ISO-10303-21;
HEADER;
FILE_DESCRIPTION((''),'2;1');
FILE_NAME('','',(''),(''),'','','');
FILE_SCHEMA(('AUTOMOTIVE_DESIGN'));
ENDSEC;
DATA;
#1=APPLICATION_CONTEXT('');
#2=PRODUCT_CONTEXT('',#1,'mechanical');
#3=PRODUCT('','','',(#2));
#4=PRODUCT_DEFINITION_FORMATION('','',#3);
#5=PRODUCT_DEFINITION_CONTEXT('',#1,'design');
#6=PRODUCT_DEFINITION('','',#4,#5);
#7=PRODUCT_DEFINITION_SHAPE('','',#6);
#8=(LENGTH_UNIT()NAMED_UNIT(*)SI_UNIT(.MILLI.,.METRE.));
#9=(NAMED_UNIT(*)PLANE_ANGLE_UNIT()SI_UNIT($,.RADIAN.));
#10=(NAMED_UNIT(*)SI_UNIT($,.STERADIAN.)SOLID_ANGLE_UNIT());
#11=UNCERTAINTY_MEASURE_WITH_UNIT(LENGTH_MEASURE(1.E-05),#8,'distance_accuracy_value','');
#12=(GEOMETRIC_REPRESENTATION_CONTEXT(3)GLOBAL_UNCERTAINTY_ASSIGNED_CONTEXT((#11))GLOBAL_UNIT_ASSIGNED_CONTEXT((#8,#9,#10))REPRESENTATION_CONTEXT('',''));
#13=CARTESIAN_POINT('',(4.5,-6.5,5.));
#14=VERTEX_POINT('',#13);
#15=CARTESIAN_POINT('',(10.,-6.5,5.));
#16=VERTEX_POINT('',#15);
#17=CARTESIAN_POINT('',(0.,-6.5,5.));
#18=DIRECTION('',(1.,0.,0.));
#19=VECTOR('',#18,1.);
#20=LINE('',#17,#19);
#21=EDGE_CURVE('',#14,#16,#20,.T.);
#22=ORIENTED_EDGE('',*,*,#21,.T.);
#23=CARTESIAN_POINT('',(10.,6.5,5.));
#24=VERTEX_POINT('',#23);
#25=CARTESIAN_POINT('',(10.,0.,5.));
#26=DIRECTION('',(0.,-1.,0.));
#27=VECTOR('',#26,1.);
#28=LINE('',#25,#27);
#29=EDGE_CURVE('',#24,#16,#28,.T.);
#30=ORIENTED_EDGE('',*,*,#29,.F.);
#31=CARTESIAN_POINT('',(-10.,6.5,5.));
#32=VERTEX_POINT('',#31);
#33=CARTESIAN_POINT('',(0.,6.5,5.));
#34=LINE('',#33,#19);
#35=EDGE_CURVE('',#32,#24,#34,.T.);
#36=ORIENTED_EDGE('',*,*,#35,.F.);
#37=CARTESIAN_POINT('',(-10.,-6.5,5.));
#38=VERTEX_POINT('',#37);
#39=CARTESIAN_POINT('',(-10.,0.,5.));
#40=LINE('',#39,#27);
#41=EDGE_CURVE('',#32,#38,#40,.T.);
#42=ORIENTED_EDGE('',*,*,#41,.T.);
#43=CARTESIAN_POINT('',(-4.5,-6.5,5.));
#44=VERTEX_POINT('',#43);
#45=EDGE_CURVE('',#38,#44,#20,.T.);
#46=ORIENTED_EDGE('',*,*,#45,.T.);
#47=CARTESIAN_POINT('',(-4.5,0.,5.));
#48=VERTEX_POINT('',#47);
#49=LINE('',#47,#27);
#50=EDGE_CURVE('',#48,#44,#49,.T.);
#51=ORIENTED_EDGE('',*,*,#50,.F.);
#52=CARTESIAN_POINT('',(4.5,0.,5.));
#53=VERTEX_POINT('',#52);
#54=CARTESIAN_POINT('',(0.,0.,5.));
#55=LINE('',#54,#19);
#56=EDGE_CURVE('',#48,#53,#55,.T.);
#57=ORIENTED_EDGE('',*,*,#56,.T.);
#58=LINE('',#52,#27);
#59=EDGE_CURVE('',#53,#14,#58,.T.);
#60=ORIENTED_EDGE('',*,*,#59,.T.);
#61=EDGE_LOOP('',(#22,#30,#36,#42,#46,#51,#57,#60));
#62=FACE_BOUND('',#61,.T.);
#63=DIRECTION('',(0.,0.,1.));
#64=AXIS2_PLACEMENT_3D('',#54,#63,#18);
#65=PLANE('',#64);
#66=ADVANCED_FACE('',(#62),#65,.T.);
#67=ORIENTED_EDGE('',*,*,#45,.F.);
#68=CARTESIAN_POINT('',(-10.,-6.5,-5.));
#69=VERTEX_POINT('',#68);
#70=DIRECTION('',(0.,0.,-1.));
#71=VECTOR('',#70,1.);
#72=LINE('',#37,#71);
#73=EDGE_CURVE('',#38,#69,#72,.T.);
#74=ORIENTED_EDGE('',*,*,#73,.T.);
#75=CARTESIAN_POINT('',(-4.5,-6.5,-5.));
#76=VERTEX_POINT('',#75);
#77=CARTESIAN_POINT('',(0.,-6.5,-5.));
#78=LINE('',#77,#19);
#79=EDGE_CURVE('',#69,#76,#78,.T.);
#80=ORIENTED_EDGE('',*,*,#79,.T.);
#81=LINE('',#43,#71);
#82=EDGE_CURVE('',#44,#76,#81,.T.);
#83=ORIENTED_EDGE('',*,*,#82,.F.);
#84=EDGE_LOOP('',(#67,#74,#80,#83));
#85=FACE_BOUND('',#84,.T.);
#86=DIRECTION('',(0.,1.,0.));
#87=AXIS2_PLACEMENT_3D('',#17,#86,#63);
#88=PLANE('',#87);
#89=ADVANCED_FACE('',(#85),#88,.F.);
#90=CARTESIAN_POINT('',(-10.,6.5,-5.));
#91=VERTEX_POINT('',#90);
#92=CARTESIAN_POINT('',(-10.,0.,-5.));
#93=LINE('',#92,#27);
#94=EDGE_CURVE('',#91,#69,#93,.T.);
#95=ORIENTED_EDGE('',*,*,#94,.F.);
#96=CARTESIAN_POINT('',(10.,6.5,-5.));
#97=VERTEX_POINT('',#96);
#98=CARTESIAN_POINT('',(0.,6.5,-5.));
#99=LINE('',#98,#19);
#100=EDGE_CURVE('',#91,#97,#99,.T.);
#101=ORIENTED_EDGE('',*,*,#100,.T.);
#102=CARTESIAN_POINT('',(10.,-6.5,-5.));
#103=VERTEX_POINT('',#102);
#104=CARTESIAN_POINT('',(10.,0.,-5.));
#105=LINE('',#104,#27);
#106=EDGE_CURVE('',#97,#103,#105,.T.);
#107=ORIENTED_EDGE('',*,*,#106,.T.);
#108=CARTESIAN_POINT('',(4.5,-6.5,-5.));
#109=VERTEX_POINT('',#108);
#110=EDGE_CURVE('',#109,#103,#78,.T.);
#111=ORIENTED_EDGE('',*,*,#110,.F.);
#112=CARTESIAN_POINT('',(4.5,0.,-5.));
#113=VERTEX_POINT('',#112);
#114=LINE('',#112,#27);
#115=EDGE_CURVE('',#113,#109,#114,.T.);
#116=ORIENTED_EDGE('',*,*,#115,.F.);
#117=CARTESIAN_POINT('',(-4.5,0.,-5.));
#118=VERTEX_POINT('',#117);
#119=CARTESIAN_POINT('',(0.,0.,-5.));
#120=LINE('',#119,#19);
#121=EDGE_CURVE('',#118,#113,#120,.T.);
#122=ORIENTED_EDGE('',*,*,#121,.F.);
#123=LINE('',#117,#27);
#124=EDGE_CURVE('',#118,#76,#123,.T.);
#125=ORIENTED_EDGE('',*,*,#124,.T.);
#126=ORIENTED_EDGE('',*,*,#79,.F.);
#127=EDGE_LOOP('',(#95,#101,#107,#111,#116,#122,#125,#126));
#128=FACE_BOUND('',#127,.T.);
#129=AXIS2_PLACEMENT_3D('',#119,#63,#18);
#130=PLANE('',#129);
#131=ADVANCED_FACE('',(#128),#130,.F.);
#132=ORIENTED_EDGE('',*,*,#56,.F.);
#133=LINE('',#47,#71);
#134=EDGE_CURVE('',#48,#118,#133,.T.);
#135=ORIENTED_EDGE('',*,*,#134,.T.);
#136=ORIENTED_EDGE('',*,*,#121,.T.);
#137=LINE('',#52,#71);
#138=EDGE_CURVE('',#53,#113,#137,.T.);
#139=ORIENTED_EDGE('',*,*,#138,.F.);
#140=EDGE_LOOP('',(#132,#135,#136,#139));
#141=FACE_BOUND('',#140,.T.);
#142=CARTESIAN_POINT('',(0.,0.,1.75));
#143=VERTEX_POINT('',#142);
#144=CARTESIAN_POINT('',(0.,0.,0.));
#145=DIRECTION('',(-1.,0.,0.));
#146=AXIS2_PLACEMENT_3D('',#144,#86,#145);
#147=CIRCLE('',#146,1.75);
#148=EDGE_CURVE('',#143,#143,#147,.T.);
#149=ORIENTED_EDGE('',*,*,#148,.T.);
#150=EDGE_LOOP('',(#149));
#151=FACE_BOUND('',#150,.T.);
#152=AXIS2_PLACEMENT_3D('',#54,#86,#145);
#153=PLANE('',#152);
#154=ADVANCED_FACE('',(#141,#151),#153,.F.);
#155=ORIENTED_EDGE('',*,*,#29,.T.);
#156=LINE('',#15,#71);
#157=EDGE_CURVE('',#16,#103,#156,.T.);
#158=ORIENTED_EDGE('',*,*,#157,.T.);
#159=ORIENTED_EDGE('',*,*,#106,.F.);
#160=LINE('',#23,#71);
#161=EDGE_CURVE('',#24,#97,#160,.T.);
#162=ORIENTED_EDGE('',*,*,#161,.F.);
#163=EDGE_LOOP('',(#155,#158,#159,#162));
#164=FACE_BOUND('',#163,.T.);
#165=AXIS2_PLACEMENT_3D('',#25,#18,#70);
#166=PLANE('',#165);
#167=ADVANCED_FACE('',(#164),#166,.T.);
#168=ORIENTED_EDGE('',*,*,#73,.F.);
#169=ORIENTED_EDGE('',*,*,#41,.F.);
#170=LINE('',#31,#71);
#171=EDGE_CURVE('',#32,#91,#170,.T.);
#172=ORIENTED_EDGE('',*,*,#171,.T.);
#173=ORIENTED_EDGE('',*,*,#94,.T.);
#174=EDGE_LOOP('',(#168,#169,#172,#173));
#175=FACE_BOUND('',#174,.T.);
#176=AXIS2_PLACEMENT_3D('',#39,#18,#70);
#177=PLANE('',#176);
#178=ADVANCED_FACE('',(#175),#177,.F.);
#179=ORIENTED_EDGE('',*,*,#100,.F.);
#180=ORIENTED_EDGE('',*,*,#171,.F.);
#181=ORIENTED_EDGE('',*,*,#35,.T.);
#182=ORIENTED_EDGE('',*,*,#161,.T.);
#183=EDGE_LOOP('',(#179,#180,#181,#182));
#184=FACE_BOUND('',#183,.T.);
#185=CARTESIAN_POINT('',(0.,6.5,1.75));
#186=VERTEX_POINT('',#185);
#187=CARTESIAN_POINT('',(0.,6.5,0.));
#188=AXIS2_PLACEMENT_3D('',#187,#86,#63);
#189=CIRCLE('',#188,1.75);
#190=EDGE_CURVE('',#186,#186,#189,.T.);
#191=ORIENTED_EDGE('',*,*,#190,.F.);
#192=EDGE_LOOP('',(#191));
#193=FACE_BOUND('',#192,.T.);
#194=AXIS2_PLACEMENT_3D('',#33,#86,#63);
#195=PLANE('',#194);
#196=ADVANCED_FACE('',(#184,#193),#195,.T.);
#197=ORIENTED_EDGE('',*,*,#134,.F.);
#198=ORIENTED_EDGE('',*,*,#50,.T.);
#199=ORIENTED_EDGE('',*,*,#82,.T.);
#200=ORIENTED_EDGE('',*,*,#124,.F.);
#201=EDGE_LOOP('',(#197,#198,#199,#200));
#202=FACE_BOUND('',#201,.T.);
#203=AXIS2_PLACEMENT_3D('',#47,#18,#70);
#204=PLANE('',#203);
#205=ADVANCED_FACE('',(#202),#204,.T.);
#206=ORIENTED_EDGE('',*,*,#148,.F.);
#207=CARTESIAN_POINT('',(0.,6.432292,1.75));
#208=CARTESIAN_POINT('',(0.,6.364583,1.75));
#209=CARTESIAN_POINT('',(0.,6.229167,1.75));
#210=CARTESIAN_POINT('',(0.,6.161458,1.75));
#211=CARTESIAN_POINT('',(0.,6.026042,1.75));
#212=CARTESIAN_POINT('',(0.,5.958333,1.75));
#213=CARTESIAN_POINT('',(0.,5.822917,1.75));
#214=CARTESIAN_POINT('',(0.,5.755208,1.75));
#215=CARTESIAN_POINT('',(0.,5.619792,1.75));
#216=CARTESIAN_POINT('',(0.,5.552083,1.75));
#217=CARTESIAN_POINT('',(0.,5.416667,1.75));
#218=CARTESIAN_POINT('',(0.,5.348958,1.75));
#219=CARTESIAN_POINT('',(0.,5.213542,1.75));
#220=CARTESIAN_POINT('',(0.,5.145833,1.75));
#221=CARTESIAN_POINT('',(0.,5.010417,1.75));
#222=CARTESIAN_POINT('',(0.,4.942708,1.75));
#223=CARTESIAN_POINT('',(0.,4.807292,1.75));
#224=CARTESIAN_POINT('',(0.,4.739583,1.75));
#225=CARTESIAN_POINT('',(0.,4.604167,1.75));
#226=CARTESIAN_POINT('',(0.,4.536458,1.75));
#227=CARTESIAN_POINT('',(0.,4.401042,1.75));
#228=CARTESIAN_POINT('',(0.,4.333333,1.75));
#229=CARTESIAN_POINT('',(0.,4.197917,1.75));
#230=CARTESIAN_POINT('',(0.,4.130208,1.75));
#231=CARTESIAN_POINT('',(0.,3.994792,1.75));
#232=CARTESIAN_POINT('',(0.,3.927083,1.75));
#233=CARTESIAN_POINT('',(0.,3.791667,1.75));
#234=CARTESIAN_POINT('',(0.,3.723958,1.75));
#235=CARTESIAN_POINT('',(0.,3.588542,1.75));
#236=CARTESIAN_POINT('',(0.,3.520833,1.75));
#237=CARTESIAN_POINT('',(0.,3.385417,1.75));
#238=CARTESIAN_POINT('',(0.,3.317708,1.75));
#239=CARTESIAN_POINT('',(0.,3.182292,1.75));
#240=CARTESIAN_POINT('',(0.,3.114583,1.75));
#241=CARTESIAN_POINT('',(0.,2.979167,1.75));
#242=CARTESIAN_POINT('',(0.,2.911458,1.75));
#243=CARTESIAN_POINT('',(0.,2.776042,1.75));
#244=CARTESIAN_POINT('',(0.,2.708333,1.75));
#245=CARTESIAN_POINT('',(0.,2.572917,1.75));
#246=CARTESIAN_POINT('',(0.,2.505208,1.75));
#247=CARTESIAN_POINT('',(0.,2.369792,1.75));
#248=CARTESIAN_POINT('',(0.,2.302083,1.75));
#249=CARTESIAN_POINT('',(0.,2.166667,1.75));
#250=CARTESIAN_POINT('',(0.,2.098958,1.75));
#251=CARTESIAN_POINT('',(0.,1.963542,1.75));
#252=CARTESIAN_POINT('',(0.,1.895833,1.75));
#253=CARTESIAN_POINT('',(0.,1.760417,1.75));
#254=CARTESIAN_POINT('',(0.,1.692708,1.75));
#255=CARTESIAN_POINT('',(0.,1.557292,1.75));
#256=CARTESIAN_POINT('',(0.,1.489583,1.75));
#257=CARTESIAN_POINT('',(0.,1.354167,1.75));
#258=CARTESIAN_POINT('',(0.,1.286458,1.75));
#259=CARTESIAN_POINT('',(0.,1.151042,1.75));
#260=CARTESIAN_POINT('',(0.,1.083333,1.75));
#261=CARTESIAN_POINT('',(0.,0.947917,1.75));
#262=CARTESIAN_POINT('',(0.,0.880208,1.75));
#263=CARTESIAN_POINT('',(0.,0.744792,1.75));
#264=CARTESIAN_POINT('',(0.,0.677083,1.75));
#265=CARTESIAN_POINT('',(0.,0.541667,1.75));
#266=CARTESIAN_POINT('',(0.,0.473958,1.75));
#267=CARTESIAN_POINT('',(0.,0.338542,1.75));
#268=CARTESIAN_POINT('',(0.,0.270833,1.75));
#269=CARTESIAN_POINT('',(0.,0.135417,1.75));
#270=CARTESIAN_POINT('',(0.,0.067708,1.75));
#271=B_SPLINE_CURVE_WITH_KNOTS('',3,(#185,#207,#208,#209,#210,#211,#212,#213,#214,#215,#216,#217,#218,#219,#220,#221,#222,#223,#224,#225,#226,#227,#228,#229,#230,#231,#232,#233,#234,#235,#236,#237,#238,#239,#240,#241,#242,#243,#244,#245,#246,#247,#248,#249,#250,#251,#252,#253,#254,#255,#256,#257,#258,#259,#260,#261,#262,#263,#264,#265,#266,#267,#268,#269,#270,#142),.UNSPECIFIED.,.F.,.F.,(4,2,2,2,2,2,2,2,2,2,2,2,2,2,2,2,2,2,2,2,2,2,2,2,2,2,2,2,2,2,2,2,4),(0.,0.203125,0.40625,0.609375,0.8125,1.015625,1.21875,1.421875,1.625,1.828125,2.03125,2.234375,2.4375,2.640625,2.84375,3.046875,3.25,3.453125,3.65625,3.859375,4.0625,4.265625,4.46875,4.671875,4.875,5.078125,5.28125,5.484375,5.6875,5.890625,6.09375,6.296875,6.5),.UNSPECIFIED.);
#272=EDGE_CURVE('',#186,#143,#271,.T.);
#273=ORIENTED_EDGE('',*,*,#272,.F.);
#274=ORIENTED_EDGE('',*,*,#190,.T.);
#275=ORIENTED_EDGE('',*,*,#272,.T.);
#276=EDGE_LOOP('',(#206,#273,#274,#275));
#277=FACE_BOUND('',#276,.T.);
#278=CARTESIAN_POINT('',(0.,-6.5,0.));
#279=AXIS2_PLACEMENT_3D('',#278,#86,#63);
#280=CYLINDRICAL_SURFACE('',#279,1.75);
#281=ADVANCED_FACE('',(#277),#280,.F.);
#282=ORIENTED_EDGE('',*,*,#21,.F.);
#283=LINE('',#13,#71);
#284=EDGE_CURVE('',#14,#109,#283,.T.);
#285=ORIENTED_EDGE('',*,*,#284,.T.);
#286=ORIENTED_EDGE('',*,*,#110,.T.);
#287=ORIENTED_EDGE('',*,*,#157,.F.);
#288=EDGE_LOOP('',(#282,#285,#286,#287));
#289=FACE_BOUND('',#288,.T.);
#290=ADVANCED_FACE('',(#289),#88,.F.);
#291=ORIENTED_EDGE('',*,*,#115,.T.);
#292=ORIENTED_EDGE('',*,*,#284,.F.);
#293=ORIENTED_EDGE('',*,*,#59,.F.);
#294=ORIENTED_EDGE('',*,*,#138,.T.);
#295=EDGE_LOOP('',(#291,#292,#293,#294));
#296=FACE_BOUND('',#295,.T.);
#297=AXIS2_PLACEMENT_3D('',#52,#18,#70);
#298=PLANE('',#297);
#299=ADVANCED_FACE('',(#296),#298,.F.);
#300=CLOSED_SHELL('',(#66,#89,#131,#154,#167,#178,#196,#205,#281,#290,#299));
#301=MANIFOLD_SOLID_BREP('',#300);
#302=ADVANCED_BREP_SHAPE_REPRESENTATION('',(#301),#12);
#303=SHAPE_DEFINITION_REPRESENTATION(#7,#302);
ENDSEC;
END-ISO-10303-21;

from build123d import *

# Parameters (mm, degrees)
EXTRUDE_1_DEPTH          = 5
CUT_EXTRUDE_1_DEPTH      = 18.146428199
CUT_EXTRUDE_1_DEPTH_BACK = 18.146428199
SKETCH_2_R               = 1.75


with BuildPart() as part:
    # 草图1 → 凸台-拉伸1 (new, symmetric)
    with BuildSketch(Plane.XY):
        Polygon((10, 6.5), (-10, 6.5), (-10, -6.5), (-4.5, -6.5), (-4.5, 0), (4.5, 0), (4.5, -6.5), (10, -6.5), align=None)
    extrude(amount=EXTRUDE_1_DEPTH, both=True)

    # 草图2 → 切除-拉伸1 (cut, two sides: drawn at the far end of the back side and taken through both)
    with BuildSketch(Plane(origin=(0, 6.5, 0), x_dir=(1, 0, 0), z_dir=(0, 1, 0)).offset(-CUT_EXTRUDE_1_DEPTH_BACK)):
        with Locations(Location((0, 0, 0), (0, 0, 270))):
            Circle(SKETCH_2_R)
    extrude(amount=CUT_EXTRUDE_1_DEPTH + CUT_EXTRUDE_1_DEPTH_BACK, mode=Mode.SUBTRACT)


solid = part.part
